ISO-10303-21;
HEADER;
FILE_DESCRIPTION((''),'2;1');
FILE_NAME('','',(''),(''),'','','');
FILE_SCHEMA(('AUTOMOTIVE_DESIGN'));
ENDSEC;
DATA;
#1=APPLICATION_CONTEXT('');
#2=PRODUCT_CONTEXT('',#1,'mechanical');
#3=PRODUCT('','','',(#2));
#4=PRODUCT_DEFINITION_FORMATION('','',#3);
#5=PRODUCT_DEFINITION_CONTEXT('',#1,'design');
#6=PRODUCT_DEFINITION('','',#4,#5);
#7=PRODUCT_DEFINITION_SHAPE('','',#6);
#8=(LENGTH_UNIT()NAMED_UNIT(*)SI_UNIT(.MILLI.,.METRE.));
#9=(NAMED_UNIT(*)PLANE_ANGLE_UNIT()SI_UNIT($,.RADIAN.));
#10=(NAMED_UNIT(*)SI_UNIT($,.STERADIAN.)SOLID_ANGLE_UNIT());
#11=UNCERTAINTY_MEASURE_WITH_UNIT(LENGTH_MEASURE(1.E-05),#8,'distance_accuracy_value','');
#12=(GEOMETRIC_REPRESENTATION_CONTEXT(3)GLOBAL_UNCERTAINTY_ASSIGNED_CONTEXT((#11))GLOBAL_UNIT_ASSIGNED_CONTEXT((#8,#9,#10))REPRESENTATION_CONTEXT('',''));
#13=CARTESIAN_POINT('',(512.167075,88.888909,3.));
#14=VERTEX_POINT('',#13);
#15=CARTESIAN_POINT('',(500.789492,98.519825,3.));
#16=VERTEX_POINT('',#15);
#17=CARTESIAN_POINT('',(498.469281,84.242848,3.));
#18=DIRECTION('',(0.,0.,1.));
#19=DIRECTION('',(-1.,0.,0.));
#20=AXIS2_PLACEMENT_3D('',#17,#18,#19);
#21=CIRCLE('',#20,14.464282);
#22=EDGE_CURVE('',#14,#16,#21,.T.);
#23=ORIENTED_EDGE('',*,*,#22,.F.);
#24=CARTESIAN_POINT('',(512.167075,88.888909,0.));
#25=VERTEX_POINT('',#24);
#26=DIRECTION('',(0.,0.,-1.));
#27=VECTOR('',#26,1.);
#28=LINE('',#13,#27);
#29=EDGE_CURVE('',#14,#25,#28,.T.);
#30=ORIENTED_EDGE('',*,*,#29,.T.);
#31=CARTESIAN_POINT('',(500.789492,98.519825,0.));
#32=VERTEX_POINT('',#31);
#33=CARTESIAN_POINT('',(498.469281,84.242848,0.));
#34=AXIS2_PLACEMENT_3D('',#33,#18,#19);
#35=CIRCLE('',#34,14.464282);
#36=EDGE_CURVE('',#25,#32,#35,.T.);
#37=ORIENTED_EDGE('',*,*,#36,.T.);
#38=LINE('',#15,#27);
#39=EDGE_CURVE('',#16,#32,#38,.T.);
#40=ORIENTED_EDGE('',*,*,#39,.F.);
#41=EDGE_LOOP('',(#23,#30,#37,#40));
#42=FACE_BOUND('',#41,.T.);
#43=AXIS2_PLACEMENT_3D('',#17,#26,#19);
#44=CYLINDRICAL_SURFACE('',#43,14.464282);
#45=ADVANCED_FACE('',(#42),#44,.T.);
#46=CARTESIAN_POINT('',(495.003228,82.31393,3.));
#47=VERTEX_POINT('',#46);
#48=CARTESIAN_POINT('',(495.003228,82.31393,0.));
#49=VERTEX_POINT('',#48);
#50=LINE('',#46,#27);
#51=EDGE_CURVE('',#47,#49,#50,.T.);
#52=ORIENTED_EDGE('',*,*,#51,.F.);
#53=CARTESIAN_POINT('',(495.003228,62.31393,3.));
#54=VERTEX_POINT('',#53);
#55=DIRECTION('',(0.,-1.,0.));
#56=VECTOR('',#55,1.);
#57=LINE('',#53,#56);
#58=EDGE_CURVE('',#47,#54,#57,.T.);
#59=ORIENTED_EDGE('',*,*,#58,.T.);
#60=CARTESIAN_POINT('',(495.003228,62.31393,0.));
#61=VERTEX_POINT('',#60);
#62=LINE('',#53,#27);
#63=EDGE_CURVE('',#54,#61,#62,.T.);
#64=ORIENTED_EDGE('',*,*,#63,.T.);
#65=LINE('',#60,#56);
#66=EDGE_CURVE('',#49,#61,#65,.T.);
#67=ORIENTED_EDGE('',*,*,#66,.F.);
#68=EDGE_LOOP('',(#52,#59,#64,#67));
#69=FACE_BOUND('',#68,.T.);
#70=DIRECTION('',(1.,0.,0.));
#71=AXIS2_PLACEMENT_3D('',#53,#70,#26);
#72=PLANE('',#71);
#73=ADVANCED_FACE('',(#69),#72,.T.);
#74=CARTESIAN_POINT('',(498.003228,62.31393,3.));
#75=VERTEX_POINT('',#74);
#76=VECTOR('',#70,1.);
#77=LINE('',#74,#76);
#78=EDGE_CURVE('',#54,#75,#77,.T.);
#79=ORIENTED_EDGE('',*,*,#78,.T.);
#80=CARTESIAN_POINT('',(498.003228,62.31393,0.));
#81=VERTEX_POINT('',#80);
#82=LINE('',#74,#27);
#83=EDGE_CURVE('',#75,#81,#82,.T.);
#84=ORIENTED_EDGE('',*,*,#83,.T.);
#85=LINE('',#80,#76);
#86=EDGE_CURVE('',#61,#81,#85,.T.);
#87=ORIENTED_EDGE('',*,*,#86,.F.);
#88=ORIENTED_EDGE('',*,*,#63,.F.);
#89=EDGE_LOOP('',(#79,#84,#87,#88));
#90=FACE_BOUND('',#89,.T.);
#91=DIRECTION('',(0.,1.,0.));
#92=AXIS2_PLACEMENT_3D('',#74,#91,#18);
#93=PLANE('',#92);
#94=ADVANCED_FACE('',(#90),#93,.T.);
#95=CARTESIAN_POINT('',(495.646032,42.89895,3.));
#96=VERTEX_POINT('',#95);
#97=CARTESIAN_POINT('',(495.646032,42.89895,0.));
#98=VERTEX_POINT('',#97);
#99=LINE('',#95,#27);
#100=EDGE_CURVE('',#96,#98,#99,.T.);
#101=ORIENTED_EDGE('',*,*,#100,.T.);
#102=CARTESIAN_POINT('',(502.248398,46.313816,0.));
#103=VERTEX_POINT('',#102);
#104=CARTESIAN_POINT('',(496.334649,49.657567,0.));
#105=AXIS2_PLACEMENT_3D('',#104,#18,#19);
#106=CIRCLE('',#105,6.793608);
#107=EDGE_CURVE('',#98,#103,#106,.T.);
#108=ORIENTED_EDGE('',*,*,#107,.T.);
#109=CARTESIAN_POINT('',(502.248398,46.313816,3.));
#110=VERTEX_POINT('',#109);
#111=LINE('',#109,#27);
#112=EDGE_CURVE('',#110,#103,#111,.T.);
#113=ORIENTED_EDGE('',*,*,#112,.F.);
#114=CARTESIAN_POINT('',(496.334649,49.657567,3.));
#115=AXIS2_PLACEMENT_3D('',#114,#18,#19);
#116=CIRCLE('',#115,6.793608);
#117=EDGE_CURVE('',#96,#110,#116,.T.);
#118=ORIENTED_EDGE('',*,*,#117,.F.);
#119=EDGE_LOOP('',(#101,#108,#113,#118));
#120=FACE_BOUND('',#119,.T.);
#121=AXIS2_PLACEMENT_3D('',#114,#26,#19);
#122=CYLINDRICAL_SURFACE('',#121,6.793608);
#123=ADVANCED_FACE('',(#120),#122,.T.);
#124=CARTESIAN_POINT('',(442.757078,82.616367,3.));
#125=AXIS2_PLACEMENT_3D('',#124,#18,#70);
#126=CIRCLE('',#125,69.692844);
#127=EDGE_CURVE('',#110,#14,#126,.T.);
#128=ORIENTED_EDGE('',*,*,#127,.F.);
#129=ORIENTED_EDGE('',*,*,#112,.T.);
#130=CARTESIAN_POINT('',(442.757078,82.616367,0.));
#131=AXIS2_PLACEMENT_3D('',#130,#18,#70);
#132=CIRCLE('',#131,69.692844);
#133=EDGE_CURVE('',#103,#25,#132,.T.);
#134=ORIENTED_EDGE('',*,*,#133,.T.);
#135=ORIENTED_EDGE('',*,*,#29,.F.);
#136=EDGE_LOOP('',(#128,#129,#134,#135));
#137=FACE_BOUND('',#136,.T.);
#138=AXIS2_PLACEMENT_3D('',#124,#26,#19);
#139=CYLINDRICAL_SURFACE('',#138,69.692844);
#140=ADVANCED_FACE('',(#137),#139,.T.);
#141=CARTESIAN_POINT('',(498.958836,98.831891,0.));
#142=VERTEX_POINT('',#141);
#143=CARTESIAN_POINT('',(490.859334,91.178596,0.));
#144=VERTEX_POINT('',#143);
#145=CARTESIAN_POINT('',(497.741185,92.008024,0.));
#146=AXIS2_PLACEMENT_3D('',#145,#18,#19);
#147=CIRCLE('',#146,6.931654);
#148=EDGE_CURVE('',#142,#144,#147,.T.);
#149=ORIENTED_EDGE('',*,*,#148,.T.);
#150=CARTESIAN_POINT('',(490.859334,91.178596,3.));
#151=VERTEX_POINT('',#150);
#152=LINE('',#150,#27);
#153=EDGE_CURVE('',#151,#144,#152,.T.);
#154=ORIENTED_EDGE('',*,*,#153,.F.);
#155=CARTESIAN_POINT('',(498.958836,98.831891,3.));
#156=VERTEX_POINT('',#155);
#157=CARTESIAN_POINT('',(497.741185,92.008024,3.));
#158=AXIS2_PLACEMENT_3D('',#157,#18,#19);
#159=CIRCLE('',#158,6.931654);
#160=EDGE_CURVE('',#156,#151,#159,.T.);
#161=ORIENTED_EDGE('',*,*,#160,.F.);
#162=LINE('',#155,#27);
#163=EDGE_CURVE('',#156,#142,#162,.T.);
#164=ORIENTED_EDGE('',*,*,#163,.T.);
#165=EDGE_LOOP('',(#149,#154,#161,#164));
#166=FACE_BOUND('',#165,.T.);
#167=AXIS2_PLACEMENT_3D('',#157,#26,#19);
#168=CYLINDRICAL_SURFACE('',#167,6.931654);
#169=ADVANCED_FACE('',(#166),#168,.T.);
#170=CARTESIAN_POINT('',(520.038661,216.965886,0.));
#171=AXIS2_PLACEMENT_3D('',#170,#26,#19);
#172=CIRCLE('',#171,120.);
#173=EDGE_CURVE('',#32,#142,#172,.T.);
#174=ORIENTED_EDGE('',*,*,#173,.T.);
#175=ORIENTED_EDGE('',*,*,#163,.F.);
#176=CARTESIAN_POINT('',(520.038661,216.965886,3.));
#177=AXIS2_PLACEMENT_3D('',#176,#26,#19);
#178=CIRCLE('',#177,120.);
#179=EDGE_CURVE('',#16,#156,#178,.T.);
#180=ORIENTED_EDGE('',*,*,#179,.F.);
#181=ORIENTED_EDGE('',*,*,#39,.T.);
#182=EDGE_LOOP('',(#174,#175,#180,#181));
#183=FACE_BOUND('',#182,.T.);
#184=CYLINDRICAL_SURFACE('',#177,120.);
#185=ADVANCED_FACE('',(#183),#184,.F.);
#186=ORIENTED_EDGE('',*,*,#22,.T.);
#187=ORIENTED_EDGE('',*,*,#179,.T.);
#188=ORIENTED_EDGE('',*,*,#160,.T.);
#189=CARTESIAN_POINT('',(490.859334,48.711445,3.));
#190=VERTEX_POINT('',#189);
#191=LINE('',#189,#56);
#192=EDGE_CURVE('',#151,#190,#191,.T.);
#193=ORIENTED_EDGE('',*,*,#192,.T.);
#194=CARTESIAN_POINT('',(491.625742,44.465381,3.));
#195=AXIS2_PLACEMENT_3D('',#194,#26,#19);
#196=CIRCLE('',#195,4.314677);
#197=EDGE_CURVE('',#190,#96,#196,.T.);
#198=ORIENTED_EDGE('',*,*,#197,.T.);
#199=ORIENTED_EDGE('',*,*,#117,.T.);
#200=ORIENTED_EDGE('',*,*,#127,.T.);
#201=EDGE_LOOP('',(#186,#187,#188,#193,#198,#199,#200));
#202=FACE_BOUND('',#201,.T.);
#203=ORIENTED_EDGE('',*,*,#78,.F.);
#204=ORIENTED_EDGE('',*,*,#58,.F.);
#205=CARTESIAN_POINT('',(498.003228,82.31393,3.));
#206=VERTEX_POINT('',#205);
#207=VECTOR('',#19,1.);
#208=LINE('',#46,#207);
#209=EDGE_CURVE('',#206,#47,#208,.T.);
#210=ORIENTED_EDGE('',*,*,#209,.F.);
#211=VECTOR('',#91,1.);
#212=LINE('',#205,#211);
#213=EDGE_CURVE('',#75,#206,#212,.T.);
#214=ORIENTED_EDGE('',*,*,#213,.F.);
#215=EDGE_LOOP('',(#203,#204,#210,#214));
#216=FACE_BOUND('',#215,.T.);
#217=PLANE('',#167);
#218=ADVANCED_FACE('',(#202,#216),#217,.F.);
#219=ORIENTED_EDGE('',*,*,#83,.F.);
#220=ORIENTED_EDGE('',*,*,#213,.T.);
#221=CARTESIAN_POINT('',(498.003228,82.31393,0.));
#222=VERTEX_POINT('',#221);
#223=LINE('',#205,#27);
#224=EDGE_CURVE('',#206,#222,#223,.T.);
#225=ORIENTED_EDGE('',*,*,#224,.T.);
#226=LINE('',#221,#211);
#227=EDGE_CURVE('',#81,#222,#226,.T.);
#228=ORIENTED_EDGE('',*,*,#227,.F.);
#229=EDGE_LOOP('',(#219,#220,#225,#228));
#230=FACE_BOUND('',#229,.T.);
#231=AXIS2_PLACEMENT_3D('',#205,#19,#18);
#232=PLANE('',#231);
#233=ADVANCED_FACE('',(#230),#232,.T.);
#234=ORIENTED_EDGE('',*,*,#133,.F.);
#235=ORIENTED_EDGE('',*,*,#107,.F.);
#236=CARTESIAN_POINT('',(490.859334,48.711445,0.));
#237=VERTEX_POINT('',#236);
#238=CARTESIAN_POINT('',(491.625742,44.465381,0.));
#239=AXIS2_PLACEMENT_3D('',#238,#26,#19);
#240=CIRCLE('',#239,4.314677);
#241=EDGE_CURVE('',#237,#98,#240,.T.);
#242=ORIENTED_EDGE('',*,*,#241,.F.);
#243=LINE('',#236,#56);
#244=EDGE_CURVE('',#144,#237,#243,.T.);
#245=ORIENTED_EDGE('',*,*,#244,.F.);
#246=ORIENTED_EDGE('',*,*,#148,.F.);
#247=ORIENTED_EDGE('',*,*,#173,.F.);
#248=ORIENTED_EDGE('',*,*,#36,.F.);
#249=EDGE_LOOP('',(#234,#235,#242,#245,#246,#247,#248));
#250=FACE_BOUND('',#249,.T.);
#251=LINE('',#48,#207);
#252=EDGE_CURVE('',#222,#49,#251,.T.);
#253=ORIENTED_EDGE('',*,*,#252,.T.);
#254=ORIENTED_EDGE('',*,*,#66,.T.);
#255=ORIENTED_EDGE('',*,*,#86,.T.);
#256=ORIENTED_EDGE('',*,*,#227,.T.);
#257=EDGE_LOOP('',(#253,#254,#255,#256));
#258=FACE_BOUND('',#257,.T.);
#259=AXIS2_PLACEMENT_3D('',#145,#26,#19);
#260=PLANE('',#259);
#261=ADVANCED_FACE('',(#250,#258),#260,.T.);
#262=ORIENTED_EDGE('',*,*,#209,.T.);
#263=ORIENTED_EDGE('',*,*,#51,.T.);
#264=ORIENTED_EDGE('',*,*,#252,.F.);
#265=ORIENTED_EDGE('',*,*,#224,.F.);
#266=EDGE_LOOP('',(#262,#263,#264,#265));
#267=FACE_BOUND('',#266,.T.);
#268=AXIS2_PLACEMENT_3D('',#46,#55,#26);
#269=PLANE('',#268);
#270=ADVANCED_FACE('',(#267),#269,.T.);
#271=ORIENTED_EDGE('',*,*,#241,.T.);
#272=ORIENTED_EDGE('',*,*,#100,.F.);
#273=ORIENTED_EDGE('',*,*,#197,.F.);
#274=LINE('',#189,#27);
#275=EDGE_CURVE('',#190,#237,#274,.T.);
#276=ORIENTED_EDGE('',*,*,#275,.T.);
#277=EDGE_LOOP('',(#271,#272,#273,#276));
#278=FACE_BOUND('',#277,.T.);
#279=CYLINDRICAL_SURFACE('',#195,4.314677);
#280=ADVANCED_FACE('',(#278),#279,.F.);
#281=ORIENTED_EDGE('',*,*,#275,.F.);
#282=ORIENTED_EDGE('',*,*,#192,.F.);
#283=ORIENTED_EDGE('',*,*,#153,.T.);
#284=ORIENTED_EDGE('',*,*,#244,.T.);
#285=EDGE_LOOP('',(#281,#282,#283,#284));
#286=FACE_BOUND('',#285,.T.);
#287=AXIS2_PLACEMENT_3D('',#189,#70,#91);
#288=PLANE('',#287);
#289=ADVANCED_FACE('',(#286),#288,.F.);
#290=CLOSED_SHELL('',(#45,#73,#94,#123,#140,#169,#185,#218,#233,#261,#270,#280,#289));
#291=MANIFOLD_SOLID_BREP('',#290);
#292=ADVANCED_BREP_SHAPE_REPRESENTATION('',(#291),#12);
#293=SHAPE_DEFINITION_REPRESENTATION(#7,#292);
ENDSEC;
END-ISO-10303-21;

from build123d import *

# Parameters (mm, degrees)
SKETCH1_W          = 3
SKETCH1_H          = 20
BASE_EXTRUDE_DEPTH = 3


with BuildPart() as part:
    # Sketch1 → Base-Extrude (new body)
    with BuildSketch(Plane.XY):
        with BuildLine():
            Line((490.859334316, 48.711445231), (490.859334316, 91.178595635))
            ThreePointArc((490.859334316, 91.178595635), (492.980510735, 97.046258165), (498.958835763, 98.831890501))
            ThreePointArc((498.958835763, 98.831890501), (499.873560394, 98.672316261), (500.789492391, 98.519824725))
            ThreePointArc((500.789492391, 98.519824725), (507.814480551, 95.282897305), (512.167074898, 88.888909486))
            ThreePointArc((512.167074898, 88.888909486), (510.632309562, 66.803543283), (502.248398483, 46.313815613))
            ThreePointArc((502.248398483, 46.313815613), (499.455679175, 43.623308538), (495.646031752, 42.898949534))
            ThreePointArc((495.646031752, 42.898949534), (494.9563895, 47.208231088), (490.859334316, 48.711445231))
        make_face()
        with Locations((496.503228356, 72.313930056)):
            Rectangle(SKETCH1_W, SKETCH1_H, mode=Mode.SUBTRACT)
    extrude(amount=BASE_EXTRUDE_DEPTH)


solid = part.part
